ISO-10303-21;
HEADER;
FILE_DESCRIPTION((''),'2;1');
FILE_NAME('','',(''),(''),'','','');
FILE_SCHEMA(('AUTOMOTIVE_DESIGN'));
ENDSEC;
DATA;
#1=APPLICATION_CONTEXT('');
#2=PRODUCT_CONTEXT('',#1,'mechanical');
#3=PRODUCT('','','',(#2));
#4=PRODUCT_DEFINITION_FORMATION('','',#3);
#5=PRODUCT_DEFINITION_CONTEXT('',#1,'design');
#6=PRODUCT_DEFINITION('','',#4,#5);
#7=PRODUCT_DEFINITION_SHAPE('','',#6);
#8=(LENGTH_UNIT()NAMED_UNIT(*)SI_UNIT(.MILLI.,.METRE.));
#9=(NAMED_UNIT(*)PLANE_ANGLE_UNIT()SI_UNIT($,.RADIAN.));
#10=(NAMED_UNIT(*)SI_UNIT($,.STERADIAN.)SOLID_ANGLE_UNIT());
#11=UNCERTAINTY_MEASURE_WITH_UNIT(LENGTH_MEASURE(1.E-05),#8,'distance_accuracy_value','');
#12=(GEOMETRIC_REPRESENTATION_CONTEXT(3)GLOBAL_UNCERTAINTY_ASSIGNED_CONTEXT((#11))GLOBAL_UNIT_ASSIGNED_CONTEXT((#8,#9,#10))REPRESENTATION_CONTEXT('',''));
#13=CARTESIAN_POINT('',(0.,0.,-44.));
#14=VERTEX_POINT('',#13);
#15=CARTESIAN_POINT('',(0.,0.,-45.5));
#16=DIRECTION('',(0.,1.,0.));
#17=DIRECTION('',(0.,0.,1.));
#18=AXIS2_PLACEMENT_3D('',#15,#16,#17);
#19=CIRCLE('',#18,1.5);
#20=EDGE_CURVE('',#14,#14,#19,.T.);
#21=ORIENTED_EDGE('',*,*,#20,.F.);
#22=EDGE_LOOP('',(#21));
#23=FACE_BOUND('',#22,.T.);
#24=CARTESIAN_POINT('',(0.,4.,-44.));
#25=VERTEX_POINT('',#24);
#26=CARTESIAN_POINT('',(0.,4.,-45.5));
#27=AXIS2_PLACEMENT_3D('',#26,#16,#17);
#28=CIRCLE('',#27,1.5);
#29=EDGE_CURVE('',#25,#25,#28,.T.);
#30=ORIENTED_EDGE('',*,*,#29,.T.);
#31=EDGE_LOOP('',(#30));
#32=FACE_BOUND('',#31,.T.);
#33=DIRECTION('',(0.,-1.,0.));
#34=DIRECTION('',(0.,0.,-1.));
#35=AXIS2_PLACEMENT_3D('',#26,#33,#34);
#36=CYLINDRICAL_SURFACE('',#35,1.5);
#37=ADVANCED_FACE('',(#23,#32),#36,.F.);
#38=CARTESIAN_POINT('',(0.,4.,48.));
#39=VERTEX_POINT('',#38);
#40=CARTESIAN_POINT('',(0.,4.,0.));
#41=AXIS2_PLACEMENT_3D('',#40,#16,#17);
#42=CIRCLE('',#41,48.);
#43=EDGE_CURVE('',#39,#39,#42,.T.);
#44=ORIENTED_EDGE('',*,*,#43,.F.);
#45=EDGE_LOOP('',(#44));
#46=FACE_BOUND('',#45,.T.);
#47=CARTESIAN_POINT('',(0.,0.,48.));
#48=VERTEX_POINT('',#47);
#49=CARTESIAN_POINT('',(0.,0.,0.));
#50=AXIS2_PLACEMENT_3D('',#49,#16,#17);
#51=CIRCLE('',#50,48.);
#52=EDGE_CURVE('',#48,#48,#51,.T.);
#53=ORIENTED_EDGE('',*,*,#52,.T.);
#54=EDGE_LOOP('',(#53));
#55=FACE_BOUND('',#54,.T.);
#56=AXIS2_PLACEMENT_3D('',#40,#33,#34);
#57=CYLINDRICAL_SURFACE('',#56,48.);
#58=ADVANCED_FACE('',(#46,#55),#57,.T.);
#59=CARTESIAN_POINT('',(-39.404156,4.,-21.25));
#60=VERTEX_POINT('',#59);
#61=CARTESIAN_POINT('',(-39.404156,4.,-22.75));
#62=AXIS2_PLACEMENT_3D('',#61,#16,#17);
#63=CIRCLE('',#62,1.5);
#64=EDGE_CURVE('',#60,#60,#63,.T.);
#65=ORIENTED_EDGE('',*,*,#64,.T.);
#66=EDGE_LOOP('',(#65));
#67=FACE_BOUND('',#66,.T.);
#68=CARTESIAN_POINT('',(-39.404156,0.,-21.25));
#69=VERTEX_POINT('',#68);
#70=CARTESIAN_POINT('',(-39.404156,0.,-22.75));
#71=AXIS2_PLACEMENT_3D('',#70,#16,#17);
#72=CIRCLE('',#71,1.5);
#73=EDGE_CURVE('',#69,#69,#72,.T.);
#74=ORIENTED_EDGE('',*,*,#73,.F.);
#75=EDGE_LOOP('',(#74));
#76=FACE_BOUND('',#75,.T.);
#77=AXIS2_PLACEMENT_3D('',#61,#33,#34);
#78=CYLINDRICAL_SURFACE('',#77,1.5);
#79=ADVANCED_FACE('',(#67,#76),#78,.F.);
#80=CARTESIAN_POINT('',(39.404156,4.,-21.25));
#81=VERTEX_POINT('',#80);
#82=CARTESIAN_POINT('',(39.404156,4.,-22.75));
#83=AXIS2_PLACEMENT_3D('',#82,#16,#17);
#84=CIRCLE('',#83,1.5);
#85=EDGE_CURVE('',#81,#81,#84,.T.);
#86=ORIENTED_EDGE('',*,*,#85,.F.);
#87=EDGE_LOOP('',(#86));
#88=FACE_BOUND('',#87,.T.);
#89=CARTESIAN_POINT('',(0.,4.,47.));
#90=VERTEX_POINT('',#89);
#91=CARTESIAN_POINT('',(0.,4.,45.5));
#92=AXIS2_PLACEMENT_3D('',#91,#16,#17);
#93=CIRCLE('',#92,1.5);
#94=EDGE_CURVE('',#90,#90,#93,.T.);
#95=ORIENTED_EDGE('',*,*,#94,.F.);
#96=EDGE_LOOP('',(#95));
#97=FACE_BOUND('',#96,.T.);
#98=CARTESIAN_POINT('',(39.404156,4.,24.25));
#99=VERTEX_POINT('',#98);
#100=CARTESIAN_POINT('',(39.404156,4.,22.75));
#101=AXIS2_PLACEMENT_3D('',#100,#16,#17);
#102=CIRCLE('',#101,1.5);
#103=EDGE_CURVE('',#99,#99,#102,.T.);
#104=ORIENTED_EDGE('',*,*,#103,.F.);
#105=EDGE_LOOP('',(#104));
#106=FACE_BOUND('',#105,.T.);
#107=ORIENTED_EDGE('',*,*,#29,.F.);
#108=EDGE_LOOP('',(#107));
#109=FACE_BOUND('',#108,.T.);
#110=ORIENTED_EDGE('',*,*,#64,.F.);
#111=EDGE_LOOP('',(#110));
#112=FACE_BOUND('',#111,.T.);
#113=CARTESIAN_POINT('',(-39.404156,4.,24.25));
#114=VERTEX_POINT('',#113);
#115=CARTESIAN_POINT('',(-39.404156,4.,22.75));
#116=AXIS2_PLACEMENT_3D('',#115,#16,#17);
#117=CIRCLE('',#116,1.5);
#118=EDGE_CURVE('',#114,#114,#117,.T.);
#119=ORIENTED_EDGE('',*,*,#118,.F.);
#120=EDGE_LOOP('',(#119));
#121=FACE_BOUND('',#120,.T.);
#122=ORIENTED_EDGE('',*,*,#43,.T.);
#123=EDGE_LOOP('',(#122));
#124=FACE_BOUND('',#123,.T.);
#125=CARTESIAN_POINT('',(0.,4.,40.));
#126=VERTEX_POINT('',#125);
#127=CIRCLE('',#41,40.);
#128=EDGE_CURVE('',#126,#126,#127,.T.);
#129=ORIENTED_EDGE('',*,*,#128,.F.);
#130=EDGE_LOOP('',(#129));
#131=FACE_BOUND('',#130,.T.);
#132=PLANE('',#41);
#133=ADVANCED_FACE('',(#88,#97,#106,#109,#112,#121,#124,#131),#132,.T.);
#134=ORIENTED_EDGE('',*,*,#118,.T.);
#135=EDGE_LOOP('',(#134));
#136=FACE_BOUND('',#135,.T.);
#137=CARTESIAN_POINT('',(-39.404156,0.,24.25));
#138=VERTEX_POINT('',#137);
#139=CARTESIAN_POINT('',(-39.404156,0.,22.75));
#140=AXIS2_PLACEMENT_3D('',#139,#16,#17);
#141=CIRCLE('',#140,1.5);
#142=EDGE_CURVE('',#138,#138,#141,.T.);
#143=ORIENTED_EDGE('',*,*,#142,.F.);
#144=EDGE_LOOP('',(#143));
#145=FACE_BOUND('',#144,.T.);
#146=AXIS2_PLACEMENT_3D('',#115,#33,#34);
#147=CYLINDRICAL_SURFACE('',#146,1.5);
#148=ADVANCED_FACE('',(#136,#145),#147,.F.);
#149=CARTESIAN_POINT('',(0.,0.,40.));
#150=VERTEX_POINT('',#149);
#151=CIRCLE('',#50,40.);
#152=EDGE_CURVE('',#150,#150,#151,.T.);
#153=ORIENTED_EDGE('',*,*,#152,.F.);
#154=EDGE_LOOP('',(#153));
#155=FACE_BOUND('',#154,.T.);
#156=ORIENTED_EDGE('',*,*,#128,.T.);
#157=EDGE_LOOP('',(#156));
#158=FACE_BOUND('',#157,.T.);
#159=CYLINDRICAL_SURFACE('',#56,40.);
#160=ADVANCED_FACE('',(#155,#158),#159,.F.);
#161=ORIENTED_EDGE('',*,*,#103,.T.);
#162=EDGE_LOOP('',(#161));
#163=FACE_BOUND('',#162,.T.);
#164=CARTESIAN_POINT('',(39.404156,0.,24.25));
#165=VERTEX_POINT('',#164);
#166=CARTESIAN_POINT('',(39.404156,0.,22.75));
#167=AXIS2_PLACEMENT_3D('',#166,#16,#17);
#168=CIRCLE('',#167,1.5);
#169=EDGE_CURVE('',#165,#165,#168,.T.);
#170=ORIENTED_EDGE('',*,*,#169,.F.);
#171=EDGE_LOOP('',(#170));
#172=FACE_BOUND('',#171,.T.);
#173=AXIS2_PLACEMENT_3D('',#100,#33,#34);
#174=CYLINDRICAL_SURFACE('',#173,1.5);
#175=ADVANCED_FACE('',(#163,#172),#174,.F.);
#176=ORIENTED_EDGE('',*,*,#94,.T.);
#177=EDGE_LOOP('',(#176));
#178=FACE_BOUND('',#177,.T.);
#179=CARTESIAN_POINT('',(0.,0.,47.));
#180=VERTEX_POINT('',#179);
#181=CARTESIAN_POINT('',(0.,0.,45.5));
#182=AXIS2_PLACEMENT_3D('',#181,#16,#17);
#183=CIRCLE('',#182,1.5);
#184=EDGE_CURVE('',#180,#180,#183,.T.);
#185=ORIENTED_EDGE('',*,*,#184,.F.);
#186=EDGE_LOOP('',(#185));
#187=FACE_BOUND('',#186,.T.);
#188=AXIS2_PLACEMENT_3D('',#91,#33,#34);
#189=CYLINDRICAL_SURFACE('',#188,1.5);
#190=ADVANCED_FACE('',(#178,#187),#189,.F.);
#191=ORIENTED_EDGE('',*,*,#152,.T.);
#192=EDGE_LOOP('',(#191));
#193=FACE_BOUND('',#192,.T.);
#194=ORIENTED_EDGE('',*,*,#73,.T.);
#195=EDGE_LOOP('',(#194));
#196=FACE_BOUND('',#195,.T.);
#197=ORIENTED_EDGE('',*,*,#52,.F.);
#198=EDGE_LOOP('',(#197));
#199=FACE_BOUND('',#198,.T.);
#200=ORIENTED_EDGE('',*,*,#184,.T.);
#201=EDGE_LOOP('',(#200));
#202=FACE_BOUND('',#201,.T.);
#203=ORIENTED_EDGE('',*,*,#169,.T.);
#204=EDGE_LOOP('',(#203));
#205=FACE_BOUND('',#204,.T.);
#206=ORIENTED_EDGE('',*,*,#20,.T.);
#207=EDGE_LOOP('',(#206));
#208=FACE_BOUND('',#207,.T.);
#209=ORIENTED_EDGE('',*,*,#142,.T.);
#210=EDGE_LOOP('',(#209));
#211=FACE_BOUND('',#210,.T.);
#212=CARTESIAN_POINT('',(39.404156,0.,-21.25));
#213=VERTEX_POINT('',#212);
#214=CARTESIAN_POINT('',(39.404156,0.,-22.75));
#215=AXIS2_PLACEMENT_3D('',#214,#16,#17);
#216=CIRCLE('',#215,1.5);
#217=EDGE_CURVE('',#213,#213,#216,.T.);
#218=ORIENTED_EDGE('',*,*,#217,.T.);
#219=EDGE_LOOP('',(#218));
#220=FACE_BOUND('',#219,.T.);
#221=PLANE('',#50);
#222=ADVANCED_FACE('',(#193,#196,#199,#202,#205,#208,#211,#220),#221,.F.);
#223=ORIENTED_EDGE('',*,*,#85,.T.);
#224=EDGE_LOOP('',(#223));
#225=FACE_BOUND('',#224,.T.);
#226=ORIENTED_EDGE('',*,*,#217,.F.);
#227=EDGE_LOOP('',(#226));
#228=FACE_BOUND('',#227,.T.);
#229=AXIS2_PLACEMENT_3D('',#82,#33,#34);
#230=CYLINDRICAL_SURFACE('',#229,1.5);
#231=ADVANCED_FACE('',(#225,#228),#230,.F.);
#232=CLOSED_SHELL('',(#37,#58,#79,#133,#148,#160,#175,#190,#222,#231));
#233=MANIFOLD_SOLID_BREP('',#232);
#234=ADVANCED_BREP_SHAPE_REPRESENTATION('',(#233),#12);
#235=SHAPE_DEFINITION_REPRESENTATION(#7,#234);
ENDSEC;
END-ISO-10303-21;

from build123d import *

# Parameters (mm, degrees)
SKETCH_1_R      = 48
SKETCH_1_R_2    = 40
SKETCH_1_R_3    = 1.5
EXTRUDE_1_DEPTH = 4


with BuildPart() as part:
    # 草图1 → 凸台-拉伸1 (new body)
    with BuildSketch(Plane(origin=(0, 0, 0), x_dir=(1, 0, 0), z_dir=(0, 1, 0))):
        with Locations(Location((0, 0, 0), (0, 0, 270))):
            Circle(SKETCH_1_R)
        with Locations(Location((0, 0, 0), (0, 0, 270))):
            Circle(SKETCH_1_R_2, mode=Mode.SUBTRACT)
        with Locations(Location((0, -45.5, 0), (0, 0, 270))):
            Circle(SKETCH_1_R_3, mode=Mode.SUBTRACT)
        with Locations(Location((-39.404155872, -22.75, 0), (0, 0, 270))):
            Circle(SKETCH_1_R_3, mode=Mode.SUBTRACT)
        with Locations(Location((-39.404155872, 22.75, 0), (0, 0, 270))):
            Circle(SKETCH_1_R_3, mode=Mode.SUBTRACT)
        with Locations(Location((0, 45.5, 0), (0, 0, 270))):
            Circle(SKETCH_1_R_3, mode=Mode.SUBTRACT)
        with Locations(Location((39.404155872, 22.75, 0), (0, 0, 270))):
            Circle(SKETCH_1_R_3, mode=Mode.SUBTRACT)
        with Locations(Location((39.404155872, -22.75, 0), (0, 0, 270))):
            Circle(SKETCH_1_R_3, mode=Mode.SUBTRACT)
    extrude(amount=EXTRUDE_1_DEPTH)


solid = part.part
